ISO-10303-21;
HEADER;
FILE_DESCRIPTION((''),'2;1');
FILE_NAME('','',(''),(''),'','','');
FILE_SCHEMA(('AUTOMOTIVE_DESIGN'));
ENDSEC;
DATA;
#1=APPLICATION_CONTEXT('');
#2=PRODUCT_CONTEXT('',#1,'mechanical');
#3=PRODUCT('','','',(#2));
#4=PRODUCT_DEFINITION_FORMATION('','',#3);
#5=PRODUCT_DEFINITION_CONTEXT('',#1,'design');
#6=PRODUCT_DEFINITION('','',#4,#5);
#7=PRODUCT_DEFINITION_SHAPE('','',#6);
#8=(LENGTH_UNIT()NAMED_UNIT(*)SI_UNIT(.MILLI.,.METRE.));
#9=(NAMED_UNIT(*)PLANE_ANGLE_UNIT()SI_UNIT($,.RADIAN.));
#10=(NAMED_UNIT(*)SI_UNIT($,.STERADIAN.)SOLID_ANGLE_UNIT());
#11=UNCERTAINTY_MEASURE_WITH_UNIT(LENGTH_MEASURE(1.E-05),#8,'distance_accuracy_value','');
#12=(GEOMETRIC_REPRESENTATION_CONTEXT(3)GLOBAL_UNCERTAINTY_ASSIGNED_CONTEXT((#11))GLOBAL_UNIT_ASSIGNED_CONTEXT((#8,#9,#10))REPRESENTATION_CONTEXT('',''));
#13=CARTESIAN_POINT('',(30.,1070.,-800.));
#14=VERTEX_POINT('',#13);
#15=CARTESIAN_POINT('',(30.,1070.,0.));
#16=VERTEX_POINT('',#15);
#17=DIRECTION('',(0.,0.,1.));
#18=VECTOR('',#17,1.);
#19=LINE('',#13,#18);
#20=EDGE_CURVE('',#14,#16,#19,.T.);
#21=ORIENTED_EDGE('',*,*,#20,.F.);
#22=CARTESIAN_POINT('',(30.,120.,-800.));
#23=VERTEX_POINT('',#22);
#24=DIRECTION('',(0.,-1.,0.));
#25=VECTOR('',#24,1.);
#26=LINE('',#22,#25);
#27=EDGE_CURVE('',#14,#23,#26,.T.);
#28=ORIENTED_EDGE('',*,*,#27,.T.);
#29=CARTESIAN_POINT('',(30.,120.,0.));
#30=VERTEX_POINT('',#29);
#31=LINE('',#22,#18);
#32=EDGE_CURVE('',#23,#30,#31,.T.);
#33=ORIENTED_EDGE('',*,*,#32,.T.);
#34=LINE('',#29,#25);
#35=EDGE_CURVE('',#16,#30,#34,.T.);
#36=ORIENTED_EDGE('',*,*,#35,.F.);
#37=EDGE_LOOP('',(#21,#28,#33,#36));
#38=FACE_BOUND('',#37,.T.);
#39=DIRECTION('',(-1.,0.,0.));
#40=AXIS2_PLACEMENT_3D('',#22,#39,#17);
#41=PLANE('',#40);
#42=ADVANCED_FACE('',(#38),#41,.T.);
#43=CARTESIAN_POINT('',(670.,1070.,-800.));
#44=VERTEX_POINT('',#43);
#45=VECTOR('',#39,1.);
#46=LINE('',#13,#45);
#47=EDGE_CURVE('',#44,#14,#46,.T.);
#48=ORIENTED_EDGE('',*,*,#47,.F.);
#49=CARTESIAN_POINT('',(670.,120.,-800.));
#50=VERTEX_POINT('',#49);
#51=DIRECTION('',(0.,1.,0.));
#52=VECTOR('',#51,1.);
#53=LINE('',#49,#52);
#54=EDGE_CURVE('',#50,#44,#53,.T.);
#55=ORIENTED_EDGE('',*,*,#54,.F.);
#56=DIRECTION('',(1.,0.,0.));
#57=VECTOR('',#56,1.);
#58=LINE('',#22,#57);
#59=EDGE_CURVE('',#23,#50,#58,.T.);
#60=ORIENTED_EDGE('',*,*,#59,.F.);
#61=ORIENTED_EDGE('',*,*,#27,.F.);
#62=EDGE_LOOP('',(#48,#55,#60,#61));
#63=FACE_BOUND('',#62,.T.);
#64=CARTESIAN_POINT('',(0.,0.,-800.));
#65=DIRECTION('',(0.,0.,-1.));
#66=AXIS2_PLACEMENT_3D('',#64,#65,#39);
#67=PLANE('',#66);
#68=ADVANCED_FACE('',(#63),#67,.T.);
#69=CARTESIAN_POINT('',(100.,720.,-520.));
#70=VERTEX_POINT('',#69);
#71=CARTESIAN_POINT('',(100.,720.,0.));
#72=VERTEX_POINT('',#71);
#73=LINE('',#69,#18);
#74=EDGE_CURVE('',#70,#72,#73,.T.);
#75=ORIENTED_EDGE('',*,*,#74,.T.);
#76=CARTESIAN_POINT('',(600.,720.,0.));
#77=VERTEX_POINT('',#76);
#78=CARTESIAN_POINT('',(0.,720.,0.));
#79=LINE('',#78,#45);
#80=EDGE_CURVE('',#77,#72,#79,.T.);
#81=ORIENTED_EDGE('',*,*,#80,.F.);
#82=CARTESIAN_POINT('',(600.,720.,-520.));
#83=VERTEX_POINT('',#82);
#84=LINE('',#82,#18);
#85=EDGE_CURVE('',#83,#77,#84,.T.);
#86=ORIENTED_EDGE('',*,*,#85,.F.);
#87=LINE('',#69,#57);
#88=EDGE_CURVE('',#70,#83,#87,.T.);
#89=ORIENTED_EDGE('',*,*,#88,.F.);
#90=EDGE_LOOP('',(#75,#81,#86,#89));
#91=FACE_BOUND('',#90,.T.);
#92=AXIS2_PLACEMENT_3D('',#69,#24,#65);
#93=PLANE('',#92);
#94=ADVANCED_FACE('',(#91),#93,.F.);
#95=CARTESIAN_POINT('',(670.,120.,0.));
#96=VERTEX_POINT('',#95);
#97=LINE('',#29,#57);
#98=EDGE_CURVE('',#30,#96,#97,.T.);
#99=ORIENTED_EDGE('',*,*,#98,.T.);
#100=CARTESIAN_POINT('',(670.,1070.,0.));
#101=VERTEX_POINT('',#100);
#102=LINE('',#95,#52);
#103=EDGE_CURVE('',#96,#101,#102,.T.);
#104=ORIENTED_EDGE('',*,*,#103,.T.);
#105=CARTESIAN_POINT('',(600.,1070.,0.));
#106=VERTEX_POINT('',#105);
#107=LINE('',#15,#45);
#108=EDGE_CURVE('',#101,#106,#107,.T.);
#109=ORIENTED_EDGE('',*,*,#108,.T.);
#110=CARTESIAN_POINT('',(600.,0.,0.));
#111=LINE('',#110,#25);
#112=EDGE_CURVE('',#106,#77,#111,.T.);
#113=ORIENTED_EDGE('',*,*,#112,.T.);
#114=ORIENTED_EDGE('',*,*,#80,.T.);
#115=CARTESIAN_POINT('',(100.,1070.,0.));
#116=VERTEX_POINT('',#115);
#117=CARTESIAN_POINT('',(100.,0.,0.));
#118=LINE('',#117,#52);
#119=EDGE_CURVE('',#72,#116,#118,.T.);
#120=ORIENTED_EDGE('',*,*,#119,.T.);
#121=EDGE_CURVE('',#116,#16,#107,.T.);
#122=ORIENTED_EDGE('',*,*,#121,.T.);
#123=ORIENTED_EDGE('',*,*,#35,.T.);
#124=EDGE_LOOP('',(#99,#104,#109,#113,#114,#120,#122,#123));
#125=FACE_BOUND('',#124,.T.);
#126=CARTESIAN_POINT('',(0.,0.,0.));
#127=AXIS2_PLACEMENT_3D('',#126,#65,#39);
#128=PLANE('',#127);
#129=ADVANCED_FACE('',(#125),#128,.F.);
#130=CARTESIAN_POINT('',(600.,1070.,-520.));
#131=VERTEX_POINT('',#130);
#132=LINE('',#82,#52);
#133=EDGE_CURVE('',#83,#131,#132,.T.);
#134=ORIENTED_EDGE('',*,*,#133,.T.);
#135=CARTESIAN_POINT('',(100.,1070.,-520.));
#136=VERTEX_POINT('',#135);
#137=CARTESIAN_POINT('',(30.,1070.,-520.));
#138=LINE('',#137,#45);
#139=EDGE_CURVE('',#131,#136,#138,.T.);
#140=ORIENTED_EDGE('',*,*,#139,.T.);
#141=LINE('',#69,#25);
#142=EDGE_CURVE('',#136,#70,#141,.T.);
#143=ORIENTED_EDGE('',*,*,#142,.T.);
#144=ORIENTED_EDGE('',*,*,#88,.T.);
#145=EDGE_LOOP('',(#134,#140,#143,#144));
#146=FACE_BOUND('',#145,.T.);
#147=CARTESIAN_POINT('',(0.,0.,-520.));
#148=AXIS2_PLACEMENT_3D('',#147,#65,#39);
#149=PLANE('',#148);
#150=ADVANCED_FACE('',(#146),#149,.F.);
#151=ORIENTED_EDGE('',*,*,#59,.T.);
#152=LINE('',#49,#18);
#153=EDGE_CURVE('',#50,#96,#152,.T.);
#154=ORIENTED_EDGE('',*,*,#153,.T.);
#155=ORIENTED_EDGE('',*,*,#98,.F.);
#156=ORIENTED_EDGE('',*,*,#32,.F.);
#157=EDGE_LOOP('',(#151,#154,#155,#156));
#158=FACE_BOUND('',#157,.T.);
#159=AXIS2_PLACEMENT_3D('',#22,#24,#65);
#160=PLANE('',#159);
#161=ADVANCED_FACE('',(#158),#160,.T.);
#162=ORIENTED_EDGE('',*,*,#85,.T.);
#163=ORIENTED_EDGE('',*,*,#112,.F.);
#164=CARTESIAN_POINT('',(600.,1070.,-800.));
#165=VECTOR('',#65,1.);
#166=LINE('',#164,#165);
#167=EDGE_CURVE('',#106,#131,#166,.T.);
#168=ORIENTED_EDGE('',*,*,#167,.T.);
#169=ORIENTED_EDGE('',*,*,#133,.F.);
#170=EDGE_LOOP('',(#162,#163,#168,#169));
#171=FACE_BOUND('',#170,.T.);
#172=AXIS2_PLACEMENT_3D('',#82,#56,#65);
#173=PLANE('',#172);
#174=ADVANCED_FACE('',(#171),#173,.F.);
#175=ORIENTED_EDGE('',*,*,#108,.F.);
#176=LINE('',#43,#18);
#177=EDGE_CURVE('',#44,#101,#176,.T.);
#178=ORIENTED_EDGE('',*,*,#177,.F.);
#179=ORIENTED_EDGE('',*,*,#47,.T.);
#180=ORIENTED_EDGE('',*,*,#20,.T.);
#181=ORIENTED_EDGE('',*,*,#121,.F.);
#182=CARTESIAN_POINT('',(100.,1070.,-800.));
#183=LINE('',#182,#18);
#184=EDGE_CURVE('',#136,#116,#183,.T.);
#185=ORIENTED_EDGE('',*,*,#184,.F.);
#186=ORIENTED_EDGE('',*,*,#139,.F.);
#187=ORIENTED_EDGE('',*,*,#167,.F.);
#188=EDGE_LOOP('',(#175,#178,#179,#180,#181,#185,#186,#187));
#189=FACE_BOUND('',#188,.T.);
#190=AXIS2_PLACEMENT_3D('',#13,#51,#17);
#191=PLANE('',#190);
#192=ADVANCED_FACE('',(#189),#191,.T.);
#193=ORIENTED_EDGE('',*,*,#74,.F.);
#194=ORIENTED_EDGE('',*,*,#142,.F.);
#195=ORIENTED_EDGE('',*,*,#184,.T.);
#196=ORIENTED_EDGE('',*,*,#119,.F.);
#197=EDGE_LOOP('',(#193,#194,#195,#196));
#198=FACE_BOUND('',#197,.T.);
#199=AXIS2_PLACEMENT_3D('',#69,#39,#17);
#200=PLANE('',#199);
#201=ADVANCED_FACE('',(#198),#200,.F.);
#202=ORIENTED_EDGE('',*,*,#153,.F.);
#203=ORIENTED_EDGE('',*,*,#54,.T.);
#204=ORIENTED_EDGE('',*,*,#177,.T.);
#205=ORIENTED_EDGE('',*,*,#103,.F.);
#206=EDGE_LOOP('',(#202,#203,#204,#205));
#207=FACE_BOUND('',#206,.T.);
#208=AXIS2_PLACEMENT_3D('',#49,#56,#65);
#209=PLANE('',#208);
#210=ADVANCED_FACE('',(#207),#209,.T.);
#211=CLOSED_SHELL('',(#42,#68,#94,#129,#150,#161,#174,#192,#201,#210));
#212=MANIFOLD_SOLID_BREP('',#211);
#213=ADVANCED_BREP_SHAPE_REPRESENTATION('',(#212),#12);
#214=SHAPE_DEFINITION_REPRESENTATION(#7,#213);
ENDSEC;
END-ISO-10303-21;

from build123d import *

# Parameters (mm, degrees)
SKETCH1_W                               = 640
SKETCH1_H                               = 950
PRESS_PZP400_GOVDE_SATIN_ALINAN_1_DEPTH = 800
PRESS_PZP400_GOVDE_SATIN_ALINAN_2_START = 1
SKETCH2_W                               = 500
SKETCH2_H                               = 360
PRESS_PZP400_GOVDE_SATIN_ALINAN_2_DEPTH = 521


with BuildPart() as part:
    # Sketch1 → PRESS_PZP400_govde_SATIN_ALINAN_1 (new body)
    with BuildSketch(Plane.XY):
        with Locations((350, 595)):
            Rectangle(SKETCH1_W, SKETCH1_H)
    extrude(amount=-PRESS_PZP400_GOVDE_SATIN_ALINAN_1_DEPTH)

    # Sketch2 → PRESS_PZP400_govde_SATIN_ALINAN_2 (cut)
    with BuildSketch(Plane.XY.offset(PRESS_PZP400_GOVDE_SATIN_ALINAN_2_START)):
        with Locations((350, 900)):
            Rectangle(SKETCH2_W, SKETCH2_H)
    extrude(amount=-PRESS_PZP400_GOVDE_SATIN_ALINAN_2_DEPTH, mode=Mode.SUBTRACT)


solid = part.part
